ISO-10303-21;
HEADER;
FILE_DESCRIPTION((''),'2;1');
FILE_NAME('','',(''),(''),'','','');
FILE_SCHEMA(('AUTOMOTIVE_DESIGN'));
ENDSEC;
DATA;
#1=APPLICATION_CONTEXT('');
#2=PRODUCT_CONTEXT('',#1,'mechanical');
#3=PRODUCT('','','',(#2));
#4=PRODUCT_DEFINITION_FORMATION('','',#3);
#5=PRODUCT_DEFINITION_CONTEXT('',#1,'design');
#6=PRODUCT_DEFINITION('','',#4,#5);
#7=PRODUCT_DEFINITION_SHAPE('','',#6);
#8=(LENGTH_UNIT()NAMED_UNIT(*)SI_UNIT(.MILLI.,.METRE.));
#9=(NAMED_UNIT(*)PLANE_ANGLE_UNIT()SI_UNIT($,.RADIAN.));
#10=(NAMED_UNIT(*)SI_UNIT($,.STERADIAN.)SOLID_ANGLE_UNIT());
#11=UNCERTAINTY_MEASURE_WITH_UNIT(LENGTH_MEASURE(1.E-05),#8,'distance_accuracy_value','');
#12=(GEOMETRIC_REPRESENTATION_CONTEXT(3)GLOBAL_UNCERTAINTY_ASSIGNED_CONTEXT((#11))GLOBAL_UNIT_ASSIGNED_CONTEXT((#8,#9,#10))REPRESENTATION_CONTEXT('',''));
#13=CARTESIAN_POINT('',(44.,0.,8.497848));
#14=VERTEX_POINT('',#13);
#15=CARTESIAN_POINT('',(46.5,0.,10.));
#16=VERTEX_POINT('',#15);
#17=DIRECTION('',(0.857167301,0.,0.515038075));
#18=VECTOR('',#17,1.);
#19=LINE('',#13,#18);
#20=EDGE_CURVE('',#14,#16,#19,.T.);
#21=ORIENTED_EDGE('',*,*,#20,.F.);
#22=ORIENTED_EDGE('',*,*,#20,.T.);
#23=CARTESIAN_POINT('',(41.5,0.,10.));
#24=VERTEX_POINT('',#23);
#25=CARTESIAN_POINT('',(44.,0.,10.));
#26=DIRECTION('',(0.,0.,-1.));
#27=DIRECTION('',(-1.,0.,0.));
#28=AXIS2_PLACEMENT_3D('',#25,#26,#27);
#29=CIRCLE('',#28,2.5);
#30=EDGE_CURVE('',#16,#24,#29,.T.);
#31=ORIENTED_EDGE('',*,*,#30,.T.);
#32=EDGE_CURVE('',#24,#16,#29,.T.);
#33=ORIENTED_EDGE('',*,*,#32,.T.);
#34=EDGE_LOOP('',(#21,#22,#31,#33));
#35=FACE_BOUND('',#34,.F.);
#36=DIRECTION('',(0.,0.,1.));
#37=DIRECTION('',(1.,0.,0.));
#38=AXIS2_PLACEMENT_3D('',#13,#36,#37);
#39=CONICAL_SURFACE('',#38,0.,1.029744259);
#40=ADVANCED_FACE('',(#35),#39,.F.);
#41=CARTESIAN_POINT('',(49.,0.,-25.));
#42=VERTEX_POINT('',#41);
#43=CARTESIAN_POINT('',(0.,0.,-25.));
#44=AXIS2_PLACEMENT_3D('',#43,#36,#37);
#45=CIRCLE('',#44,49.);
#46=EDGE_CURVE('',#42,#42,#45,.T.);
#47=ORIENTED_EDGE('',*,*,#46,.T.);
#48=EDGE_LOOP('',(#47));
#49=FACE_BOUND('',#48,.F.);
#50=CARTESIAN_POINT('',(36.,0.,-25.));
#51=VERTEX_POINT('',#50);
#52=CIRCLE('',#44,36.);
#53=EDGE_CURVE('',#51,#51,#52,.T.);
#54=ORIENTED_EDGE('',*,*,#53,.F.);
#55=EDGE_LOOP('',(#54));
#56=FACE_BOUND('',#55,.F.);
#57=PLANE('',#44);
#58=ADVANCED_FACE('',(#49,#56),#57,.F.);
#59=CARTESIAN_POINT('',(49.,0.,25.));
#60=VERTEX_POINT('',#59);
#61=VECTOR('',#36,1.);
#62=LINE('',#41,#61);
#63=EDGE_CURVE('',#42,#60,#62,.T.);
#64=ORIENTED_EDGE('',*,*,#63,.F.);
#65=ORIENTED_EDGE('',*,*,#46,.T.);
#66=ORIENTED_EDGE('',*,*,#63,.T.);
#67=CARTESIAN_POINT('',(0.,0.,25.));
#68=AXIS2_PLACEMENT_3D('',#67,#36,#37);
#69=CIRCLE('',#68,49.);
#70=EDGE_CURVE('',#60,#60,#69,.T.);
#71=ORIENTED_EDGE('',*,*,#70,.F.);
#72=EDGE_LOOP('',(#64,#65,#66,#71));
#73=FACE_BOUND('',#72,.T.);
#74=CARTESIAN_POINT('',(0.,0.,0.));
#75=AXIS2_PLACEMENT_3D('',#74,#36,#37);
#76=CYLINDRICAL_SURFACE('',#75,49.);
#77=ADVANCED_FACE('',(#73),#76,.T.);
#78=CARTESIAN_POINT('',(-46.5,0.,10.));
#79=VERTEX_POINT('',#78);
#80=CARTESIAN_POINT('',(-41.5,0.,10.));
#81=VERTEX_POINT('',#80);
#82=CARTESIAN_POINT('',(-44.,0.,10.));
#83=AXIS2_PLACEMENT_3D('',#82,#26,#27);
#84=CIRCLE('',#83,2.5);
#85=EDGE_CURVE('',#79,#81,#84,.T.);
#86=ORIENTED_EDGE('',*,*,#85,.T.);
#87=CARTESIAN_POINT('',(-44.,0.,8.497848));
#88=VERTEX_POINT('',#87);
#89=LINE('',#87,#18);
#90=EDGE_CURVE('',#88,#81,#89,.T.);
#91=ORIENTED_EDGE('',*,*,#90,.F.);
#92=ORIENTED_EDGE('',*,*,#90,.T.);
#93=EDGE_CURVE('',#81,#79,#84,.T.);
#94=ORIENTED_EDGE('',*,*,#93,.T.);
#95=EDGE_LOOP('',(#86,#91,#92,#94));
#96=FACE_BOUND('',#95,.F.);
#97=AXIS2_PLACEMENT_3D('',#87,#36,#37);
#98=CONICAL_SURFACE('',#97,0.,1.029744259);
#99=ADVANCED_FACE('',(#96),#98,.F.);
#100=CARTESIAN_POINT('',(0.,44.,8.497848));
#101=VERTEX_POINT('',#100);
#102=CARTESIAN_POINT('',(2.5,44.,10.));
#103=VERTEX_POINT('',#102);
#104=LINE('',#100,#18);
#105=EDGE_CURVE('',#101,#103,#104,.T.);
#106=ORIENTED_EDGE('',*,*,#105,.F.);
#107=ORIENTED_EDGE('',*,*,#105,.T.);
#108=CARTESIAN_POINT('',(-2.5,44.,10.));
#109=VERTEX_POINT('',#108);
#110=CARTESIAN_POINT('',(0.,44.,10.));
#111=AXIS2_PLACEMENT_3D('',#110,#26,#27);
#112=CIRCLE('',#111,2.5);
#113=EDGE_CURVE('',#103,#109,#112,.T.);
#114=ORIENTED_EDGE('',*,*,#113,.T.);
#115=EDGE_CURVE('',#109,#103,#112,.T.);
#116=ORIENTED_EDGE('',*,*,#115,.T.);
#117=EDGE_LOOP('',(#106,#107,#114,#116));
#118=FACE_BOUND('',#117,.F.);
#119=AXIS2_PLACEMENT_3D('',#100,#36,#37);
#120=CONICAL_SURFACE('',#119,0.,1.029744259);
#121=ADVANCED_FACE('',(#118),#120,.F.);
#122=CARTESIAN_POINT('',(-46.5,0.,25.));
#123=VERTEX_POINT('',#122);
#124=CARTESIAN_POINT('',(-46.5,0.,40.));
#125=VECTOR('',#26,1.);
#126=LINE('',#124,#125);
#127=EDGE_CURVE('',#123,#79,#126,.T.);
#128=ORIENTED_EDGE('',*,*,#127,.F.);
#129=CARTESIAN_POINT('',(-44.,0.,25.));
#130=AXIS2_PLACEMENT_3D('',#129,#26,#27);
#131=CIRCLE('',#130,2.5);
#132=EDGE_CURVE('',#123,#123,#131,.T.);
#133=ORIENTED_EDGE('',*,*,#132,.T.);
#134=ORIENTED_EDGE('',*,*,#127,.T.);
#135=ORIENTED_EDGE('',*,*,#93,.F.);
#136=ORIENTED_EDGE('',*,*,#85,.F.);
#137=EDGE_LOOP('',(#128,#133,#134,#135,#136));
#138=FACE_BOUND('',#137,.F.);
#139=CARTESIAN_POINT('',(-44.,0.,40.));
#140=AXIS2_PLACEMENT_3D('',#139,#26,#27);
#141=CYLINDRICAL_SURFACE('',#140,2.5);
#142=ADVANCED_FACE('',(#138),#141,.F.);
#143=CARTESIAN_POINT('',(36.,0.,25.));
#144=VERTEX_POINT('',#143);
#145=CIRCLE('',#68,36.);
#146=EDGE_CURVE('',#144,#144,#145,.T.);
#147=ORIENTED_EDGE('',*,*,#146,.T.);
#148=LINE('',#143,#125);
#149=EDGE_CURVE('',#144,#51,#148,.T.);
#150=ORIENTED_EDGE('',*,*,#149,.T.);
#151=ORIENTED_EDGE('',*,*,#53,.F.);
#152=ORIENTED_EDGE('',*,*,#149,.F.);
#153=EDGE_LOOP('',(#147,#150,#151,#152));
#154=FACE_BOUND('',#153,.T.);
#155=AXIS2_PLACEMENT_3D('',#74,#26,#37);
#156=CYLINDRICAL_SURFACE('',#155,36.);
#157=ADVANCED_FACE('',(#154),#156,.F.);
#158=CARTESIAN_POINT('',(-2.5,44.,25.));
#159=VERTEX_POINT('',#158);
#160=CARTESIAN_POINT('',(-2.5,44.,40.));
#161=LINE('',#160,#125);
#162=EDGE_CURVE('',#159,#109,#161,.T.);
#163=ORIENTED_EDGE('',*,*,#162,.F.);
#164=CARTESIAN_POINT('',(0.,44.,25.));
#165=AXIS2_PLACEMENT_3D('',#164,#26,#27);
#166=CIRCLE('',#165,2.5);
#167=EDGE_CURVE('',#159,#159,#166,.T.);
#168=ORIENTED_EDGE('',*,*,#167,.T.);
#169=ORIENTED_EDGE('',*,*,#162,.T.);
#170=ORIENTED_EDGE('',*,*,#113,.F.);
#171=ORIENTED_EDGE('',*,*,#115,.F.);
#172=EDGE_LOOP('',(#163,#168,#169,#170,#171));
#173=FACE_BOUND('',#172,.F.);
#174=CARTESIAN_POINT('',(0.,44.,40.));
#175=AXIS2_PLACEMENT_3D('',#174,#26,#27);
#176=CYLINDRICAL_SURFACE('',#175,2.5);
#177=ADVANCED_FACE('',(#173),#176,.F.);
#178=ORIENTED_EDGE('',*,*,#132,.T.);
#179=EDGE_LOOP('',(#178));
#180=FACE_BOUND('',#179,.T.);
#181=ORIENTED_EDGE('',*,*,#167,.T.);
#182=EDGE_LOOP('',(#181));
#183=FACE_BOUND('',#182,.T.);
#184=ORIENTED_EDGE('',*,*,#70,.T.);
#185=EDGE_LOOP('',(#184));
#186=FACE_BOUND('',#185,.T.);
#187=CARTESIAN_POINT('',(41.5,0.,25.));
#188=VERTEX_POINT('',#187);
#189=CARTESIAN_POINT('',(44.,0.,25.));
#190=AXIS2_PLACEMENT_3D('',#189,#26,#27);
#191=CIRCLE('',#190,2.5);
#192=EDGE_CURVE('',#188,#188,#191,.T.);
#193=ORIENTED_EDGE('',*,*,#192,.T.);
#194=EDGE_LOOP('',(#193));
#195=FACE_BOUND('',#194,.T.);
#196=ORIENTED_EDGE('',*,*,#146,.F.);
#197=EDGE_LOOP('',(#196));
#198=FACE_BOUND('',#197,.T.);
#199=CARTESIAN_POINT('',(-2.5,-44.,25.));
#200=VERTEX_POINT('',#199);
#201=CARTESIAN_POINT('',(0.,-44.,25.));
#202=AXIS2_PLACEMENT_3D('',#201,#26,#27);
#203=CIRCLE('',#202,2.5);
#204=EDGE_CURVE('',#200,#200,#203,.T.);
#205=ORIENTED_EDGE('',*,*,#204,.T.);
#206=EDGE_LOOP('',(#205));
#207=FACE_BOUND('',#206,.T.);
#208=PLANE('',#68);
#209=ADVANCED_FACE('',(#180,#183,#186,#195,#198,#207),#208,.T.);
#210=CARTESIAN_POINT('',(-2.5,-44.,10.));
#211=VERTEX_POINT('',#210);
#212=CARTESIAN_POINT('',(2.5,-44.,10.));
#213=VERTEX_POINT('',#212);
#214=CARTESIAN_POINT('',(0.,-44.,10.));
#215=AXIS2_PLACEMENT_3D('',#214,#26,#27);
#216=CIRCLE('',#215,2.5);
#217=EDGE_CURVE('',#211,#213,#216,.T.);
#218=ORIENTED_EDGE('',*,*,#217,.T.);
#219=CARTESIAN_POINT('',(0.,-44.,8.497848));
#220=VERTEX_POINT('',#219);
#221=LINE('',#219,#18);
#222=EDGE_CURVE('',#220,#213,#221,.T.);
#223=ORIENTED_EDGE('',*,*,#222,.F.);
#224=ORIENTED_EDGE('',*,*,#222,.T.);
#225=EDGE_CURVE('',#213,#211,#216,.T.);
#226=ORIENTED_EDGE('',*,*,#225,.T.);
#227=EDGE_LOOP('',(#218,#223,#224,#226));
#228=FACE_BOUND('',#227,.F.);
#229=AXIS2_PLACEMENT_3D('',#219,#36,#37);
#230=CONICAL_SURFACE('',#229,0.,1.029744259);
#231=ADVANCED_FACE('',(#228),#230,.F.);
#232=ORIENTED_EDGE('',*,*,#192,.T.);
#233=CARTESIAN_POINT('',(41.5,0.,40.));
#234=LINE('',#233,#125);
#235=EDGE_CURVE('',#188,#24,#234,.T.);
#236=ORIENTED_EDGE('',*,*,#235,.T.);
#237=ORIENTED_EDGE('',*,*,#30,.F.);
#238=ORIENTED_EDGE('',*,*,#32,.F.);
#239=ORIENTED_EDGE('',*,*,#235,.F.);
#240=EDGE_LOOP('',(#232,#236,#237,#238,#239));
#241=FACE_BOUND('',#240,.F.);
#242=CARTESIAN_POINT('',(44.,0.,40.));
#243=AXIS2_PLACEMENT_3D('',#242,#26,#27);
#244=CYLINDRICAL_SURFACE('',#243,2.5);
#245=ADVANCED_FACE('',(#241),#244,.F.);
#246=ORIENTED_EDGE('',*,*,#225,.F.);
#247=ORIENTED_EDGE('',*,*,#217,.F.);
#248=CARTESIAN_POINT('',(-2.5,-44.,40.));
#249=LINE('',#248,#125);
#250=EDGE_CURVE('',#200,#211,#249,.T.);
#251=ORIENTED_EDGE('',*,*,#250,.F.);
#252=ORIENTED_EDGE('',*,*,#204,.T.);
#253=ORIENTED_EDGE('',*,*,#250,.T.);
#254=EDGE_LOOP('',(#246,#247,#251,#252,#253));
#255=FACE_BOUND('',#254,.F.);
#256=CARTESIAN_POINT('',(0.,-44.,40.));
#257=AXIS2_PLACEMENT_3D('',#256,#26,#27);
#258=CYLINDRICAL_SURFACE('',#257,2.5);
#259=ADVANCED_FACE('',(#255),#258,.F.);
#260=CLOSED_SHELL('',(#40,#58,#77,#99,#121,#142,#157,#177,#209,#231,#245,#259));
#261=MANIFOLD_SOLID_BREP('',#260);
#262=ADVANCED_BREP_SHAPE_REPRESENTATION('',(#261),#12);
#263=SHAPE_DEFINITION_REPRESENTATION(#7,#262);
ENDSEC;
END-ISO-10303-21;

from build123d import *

# Parameters (mm, degrees)
F0_R     = 49
F0_R_2   = 36
F1_DEPTH = 25
F3_D     = 5
F3_DEPTH = 15
F3_TIP   = 1.5021515476


with BuildPart() as f1:
    # F0 (on Top) → F1 (new body, symmetric)
    with BuildSketch(Plane.XY):
        Circle(F0_R)
        Circle(F0_R_2, mode=Mode.SUBTRACT)
    extrude(amount=F1_DEPTH, both=True)

    # F3
    with Locations(Plane.XY.offset(25)):
        with Locations((0, 44), (-44, 0), (0, -44), (44, 0)):
            Hole(F3_D / 2, depth=F3_DEPTH)
            with Locations((0, 0, -(F3_DEPTH + F3_TIP / 2))):  # 118° drill point
                Cone(0, F3_D / 2, F3_TIP, mode=Mode.SUBTRACT)


solid = f1.part
